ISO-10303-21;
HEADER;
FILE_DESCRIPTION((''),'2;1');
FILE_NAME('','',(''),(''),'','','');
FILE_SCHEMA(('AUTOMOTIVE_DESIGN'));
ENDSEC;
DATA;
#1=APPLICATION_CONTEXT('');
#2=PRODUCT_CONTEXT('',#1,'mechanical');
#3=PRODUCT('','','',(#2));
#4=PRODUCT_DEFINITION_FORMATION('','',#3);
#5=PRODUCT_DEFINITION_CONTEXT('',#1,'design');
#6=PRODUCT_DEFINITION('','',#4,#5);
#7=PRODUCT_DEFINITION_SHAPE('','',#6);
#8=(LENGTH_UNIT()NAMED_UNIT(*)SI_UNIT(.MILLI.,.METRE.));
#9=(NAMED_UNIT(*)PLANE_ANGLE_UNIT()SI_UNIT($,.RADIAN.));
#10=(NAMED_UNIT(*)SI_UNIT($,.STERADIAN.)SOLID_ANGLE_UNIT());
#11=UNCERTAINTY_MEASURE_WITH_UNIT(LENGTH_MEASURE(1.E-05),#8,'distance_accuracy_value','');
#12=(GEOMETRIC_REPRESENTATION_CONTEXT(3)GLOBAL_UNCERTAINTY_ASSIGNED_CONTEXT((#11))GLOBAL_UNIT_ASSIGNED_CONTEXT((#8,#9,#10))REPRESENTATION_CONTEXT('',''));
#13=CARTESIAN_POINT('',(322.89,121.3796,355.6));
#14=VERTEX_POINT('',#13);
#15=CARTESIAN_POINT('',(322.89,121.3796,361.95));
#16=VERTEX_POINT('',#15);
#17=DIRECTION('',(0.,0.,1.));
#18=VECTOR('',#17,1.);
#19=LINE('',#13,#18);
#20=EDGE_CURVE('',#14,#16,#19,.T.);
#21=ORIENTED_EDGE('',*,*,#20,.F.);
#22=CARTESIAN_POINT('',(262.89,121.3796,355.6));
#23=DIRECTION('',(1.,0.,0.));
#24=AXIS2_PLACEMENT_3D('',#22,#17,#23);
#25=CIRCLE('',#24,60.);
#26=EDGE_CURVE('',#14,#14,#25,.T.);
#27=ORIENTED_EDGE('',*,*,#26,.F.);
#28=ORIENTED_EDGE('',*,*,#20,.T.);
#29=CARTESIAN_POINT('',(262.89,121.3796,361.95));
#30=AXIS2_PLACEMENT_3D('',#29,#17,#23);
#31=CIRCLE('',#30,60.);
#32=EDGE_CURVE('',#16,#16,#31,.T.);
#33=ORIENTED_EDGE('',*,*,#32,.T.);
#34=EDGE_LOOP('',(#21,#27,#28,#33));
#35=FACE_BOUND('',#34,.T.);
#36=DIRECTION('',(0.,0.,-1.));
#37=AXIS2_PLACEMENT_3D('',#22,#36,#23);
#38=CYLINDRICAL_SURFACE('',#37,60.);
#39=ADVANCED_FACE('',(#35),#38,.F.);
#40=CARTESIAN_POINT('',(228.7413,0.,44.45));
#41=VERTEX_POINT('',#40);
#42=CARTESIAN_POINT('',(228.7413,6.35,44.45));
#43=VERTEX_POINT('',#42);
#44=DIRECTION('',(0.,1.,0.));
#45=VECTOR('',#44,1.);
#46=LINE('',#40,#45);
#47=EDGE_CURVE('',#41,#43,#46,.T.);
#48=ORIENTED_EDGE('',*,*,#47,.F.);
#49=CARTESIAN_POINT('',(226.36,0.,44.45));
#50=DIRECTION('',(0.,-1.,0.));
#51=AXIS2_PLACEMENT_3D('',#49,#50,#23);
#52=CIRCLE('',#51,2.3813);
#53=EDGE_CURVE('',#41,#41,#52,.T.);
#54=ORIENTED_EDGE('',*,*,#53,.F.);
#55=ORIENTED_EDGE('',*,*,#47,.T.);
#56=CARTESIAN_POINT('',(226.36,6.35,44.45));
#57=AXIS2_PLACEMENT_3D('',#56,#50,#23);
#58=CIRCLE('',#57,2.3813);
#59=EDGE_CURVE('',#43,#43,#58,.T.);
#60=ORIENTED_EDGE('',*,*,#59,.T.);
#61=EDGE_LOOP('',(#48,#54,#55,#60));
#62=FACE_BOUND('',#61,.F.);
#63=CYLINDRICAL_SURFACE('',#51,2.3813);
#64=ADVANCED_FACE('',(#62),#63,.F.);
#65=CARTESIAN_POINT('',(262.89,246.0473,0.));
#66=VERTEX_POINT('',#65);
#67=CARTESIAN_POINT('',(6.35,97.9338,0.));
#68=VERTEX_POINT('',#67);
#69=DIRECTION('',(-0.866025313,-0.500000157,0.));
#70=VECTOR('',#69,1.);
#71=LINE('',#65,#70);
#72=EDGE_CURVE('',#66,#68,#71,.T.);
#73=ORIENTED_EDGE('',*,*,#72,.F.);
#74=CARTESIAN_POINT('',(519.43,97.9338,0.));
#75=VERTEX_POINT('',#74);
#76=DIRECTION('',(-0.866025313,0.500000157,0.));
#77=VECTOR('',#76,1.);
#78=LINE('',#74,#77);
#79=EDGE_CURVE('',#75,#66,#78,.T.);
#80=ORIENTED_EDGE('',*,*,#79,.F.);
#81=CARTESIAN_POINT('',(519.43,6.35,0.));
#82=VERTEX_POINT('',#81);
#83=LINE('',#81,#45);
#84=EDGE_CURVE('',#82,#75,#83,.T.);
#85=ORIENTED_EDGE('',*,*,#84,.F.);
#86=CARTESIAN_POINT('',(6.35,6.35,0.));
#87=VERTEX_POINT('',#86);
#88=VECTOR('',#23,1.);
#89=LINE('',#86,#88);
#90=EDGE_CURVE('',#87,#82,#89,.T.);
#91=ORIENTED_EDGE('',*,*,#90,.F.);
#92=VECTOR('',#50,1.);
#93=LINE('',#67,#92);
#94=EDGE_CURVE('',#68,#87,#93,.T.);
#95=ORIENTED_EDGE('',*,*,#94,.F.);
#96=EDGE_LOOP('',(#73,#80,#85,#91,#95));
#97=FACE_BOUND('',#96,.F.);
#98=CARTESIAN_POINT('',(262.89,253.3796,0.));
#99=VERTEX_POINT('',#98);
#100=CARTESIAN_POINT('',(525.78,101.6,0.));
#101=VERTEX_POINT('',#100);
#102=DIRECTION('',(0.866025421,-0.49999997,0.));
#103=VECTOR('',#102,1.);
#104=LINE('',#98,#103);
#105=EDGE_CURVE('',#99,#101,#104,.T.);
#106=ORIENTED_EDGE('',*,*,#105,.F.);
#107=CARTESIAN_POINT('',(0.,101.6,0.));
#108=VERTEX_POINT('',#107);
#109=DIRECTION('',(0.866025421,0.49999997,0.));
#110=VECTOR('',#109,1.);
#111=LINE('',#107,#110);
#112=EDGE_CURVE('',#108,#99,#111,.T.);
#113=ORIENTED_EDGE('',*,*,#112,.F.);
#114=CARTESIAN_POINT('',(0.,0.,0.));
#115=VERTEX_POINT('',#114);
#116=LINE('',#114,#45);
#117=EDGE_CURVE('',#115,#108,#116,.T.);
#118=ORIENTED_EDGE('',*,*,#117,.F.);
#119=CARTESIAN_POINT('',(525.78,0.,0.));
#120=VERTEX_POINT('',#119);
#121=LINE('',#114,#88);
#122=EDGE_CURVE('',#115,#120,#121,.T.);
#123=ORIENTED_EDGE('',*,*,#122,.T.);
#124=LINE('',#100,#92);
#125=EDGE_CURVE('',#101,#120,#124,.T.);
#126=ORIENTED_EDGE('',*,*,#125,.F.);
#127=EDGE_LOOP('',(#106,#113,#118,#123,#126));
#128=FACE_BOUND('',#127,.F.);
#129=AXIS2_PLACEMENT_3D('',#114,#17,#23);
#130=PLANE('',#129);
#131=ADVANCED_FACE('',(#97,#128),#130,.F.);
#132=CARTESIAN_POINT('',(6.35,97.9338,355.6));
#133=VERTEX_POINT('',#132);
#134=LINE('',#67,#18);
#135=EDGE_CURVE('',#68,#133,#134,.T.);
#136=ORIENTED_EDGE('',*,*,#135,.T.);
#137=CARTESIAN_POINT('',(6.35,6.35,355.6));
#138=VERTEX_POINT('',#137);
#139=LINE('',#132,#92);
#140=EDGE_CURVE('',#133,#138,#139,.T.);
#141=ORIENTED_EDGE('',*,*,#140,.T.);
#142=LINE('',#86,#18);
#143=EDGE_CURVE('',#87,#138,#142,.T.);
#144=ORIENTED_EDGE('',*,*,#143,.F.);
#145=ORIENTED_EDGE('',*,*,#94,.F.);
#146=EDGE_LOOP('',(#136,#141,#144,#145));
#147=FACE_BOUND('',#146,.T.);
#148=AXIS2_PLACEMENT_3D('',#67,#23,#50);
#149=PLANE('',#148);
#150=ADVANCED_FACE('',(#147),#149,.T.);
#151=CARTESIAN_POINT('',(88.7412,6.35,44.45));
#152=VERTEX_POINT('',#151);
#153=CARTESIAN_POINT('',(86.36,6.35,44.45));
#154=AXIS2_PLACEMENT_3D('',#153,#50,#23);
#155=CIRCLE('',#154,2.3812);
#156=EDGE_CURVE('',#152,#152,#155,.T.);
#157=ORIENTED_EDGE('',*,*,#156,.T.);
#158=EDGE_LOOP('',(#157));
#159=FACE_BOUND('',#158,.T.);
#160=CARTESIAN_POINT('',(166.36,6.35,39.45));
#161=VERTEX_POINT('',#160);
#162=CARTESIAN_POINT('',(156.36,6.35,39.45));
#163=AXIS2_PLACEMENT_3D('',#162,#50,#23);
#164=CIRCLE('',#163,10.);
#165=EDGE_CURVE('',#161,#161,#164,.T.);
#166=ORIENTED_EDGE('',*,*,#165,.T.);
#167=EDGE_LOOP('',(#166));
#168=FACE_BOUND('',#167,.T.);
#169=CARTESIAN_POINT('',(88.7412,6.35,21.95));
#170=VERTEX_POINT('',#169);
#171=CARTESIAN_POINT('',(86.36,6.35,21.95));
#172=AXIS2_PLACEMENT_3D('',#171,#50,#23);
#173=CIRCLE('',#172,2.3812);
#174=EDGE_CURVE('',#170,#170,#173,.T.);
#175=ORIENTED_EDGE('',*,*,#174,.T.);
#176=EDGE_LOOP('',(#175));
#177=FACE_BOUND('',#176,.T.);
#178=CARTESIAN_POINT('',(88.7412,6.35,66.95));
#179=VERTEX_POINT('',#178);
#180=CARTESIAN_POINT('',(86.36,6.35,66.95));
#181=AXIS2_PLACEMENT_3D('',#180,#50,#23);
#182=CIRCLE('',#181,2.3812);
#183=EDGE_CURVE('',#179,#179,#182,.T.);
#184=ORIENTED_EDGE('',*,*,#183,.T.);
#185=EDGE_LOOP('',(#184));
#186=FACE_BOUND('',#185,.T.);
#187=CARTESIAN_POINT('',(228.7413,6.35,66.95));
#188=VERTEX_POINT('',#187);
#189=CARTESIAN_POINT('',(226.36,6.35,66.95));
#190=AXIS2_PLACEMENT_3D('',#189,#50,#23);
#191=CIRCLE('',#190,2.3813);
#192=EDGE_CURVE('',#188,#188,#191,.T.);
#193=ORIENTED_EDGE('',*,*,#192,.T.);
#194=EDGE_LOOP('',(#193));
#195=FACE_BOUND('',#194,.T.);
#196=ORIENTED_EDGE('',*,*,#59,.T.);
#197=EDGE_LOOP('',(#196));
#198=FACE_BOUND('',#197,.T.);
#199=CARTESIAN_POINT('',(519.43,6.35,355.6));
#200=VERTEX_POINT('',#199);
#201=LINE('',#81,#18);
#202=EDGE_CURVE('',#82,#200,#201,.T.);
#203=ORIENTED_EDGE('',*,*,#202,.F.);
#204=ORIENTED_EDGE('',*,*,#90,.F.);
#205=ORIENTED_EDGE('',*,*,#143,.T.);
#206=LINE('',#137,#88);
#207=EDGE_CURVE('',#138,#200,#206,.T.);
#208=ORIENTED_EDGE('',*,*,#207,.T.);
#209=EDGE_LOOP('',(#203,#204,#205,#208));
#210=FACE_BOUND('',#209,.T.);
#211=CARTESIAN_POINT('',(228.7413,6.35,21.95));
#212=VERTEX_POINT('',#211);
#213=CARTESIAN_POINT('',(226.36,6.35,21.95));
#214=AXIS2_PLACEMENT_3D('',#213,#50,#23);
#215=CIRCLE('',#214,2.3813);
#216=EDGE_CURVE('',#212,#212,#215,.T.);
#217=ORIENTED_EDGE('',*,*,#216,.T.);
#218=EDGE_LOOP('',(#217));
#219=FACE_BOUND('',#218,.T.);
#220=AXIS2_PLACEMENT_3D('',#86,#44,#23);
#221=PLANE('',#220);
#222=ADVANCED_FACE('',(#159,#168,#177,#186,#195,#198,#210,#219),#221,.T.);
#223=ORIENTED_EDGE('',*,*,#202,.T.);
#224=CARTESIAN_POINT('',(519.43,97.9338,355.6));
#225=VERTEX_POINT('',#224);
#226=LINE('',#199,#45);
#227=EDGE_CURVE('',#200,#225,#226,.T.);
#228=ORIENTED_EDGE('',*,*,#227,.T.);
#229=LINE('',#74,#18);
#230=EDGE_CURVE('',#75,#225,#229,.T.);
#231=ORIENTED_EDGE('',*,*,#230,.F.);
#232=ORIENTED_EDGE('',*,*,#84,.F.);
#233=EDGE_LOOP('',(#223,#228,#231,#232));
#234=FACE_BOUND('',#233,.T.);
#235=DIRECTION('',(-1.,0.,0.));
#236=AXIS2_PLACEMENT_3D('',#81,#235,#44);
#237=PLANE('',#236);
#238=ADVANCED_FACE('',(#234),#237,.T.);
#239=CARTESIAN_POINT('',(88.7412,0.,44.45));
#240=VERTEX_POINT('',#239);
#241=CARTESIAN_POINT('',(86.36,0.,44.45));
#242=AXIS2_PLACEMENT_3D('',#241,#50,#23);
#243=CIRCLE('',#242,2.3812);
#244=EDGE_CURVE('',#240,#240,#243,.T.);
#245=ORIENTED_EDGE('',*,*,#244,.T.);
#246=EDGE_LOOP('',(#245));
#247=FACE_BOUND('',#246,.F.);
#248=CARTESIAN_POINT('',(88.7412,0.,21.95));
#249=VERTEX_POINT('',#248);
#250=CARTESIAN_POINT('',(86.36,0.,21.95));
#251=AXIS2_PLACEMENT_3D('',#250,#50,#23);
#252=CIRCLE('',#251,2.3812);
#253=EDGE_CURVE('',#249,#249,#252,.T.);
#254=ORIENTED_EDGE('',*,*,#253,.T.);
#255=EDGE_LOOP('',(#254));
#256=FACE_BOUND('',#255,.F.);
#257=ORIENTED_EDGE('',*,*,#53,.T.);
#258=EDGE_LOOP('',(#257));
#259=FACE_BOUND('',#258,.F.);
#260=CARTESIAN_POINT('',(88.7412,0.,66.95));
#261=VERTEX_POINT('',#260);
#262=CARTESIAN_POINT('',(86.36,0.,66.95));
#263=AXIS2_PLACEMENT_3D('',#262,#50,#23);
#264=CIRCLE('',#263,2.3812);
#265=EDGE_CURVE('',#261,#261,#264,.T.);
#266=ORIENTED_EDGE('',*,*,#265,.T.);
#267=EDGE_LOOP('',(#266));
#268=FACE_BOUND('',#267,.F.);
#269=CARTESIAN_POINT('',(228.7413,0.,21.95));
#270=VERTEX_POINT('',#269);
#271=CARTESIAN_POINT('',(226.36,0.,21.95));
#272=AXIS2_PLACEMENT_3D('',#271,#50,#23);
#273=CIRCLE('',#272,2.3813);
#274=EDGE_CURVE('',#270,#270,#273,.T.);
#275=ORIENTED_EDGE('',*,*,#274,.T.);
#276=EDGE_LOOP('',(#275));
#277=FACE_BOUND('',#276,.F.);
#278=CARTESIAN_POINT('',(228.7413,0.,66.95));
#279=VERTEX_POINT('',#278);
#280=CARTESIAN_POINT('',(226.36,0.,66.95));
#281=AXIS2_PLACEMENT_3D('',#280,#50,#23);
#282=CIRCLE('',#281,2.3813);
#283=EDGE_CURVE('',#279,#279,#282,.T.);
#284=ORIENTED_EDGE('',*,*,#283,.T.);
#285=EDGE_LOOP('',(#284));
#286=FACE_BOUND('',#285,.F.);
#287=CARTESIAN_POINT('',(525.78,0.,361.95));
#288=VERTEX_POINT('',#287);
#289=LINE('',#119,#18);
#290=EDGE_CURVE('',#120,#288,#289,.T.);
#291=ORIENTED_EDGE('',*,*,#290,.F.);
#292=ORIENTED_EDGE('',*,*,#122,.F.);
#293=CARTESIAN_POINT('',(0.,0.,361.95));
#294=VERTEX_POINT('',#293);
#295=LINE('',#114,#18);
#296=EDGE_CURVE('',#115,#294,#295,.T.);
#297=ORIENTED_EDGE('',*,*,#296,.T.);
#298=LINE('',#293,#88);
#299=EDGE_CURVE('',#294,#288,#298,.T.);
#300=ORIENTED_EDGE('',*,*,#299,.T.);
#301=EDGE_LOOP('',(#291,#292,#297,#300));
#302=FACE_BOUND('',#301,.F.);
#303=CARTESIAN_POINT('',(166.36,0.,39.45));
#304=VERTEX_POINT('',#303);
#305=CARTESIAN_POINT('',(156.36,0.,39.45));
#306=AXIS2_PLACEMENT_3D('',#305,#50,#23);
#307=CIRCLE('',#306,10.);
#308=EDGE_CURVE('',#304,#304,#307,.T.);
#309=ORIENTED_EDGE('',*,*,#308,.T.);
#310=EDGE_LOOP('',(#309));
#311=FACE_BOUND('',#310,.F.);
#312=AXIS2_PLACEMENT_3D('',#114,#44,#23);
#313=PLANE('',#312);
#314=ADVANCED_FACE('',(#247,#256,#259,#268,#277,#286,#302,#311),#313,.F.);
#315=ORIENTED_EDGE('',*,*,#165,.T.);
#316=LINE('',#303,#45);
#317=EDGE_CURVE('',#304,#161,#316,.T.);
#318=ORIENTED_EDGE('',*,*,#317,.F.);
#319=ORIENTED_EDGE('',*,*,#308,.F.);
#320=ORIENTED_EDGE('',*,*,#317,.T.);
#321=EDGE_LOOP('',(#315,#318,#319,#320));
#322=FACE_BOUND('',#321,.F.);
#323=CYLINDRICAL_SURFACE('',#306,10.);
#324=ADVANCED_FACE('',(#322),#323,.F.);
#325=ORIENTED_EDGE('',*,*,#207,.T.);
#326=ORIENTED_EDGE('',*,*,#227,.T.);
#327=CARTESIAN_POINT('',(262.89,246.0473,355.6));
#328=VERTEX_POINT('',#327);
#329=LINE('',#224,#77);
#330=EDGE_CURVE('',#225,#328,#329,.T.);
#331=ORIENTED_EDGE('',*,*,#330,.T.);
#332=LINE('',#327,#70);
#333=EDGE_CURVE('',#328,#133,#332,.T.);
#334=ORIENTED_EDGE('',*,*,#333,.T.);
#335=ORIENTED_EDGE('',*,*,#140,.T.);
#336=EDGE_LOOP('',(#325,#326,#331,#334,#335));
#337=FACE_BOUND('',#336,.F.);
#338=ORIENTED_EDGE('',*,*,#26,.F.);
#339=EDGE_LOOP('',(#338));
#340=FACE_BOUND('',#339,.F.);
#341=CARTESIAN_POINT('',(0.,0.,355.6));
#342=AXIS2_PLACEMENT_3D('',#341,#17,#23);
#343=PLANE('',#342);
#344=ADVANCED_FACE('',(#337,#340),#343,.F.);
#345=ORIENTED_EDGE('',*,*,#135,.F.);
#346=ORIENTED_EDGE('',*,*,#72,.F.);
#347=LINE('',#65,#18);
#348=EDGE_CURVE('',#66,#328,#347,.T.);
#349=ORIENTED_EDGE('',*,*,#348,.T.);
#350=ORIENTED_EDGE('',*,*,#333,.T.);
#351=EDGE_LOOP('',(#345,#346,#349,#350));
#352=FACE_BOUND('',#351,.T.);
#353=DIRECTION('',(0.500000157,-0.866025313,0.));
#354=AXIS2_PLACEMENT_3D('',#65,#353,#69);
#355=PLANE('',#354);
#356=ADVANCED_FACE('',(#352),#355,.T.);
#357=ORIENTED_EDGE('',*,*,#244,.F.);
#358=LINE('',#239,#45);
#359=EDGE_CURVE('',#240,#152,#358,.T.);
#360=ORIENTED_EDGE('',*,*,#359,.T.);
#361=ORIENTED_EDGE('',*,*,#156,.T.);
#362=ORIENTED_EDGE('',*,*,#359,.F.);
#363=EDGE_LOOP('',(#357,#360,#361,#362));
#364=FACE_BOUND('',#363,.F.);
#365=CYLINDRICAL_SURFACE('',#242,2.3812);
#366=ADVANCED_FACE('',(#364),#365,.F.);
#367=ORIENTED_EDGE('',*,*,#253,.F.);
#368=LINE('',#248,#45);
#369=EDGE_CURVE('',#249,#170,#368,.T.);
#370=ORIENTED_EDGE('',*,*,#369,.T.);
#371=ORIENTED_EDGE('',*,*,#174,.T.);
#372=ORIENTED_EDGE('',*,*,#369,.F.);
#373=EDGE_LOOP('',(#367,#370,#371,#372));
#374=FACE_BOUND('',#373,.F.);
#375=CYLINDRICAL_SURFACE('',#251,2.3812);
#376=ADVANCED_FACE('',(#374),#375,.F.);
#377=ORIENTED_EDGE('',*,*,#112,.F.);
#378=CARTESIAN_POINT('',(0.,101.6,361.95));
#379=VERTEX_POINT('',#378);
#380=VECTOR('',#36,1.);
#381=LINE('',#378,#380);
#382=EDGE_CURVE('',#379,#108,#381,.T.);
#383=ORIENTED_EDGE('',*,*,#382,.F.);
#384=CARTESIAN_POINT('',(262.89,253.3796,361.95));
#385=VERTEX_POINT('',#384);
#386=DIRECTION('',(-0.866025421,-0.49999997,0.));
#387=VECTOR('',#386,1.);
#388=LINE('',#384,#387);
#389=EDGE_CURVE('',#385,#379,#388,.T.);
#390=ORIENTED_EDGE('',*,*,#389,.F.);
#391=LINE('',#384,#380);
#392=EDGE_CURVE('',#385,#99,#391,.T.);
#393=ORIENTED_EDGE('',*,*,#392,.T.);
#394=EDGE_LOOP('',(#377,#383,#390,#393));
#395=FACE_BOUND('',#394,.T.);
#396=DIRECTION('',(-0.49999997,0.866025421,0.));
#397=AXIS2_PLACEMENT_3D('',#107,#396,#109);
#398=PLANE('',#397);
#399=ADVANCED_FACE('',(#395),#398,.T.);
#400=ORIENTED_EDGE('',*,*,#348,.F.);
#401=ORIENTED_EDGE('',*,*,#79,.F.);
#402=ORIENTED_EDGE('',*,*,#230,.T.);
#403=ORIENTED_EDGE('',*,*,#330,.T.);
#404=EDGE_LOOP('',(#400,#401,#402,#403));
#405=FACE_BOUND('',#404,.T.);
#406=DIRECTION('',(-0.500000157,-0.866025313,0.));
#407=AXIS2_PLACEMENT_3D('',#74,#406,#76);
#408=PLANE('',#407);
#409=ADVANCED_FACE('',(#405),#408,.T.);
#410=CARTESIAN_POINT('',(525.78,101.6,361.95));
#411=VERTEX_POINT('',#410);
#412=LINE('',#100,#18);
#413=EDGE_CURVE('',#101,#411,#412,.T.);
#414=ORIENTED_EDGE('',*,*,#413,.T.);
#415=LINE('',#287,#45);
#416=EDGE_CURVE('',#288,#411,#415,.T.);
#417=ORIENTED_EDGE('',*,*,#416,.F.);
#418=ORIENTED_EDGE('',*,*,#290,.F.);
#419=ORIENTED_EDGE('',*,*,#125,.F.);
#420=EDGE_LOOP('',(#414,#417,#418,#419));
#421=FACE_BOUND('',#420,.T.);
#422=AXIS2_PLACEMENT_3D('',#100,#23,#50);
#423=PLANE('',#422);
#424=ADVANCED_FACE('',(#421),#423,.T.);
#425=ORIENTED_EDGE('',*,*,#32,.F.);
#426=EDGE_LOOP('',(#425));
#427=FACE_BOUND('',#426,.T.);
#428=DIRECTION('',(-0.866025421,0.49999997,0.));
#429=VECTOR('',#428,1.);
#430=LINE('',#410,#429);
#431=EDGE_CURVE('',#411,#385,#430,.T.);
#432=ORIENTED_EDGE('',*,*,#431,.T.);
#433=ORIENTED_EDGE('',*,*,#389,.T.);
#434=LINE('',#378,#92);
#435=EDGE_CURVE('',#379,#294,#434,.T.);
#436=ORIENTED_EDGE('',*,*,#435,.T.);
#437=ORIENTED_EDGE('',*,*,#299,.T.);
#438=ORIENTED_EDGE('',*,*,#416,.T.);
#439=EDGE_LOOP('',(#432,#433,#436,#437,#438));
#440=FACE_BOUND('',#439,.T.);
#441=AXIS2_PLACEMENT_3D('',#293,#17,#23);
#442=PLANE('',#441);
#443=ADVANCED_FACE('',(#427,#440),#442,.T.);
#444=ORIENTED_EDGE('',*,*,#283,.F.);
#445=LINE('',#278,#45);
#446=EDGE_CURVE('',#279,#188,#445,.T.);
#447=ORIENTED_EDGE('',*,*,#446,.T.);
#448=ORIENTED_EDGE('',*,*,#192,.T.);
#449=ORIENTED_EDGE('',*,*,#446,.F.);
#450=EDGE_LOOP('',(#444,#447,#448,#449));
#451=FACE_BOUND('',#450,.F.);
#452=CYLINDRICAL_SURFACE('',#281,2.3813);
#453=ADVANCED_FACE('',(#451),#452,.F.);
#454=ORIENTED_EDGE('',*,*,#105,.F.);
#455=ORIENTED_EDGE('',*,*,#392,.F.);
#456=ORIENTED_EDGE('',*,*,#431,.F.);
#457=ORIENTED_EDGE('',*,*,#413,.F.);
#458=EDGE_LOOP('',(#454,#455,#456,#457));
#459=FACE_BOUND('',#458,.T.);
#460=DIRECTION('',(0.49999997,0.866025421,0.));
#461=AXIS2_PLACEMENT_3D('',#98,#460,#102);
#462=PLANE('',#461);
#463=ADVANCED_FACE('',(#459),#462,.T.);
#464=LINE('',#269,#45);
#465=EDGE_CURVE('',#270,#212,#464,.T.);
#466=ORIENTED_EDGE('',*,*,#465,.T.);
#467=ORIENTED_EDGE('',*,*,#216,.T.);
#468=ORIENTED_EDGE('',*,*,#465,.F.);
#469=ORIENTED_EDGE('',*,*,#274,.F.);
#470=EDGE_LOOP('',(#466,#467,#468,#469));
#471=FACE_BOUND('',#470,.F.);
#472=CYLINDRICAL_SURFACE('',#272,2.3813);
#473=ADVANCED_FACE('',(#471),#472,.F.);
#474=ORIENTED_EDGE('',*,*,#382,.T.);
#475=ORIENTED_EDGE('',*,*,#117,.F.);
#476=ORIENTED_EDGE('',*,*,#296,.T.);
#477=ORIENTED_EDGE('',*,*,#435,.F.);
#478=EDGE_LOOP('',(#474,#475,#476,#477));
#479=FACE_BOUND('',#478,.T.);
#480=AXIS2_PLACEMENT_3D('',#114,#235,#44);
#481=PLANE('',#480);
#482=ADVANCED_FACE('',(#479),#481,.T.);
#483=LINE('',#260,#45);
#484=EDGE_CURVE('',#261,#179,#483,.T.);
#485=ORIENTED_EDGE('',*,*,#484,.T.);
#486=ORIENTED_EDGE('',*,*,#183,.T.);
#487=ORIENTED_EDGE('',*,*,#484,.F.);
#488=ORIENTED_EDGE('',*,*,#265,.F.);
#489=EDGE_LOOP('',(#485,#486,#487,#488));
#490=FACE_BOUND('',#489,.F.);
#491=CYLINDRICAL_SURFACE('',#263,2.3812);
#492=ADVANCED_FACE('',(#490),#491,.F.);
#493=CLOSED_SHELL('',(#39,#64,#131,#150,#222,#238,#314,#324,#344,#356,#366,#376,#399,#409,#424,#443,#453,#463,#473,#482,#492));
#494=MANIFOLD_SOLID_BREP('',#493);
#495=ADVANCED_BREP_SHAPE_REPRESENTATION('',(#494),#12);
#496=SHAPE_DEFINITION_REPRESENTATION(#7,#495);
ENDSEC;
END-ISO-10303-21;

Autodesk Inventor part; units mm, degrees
ref_plane "YZ Plane" through (0, 0, 0) normal (1, 0, 0) x (0, 1, 0)
ref_plane "XZ Plane" through (0, 0, 0) normal (0, 1, 0) x (-1, 0, 0)
ref_plane "XY Plane" through (0, 0, 0) normal (0, 0, 1) x (1, 0, 0)
sketch "Sketch1" plane through (0, 0, 0) normal (0, 0, 1) x (1, 0, 0)
  line L0 (0, 0) -> (525.78, 0)
  line L1 (0, 0) -> (0, 101.6)
  line L2 (0, 101.6) -> (262.89, 253.3796)
  line L3 (262.89, 253.3796) -> (525.78, 101.6)
  line L4 (525.78, 101.6) -> (525.78, 0)
  line L5 (262.89, 246.0473) -> (6.35, 97.9338)
  line L6 (6.35, 97.9338) -> (6.35, 6.35)
  line L7 (6.35, 6.35) -> (519.43, 6.35)
  line L8 (519.43, 6.35) -> (519.43, 97.9338)
  line L9 (519.43, 97.9338) -> (262.89, 246.0473)
  point P0 (262.89, 0)
  dimension "d0" = 525.78
  dimension "d1" = 101.6
  dimension "d2" = 120
  dimension "d3" = 6.35
extrude "Extrusion1" add sketch "Sketch1" along normal blind 355.6
sketch "Sketch2" plane through (0, 0, 355.6) normal (0, 0, 1) x (1, 0, 0)
  line L0 (262.89, 246.0473) -> (519.43, 97.9338) projected
  line L1 (519.43, 97.9338) -> (519.43, 6.35) projected
  line L2 (519.43, 6.35) -> (6.35, 6.35) projected
  line L3 (6.35, 6.35) -> (6.35, 97.9338) projected
  line L4 (6.35, 97.9338) -> (262.89, 246.0473) projected
  line L5 (0, 0) -> (525.78, 0) projected
  line L6 (525.78, 0) -> (525.78, 101.6) projected
  line L7 (525.78, 101.6) -> (262.89, 253.3796) projected
  line L8 (262.89, 253.3796) -> (0, 101.6) projected
  line L9 (0, 101.6) -> (0, 0) projected
  circle A0 centre (262.89, 121.3796) radius 60
  dimension "d6" = 120
  dimension "d7" = 132
extrude "Extrusion2" add sketch "Sketch2" along normal blind 6.35 contours L0 L1 L2 L3 L4 | L9 L8 L7 L6 L5
sketch "Sketch3" plane through (0, 0, 0) normal (0, -1, 0) x (1, 0, 0)
  line L0 (0, 0) -> (525.78, 0) construction
  line L1 (525.78, 0) -> (525.78, 88.9)
  line L2 (525.78, 88.9) -> (0, 88.9) construction
  line L3 (0, 88.9) -> (0, 0) construction
  line L4 (86.36, 21.95) -> (86.36, 66.95) construction
  circle A0 centre (86.36, 44.45) radius 2.3812
  circle A1 centre (86.36, 21.95) radius 2.3812
  circle A2 centre (86.36, 66.95) radius 2.3812
  line L5 (146.36, 49.45) -> (146.36, 29.45) construction
  line L6 (156.36, 66.95) -> (156.36, 21.95) construction
  line L7 (146.36, 29.45) -> (166.36, 29.45) construction
  line L8 (166.36, 49.45) -> (146.36, 49.45) construction
  line L9 (86.36, 66.95) -> (226.36, 66.95) construction
  line L10 (226.36, 21.95) -> (86.36, 21.95) construction
  line L11 (86.36, 44.45) -> (226.36, 44.45) construction
  line L12 (166.36, 29.45) -> (166.36, 49.45) construction
  line L13 (226.36, 66.95) -> (226.36, 21.95) construction
  circle A3 centre (226.36, 66.95) radius 2.3813
  circle A4 centre (226.36, 44.45) radius 2.3813
  circle A5 centre (226.36, 21.95) radius 2.3813
  circle A6 centre (156.36, 39.45) radius 10
  line L14 (0, 0) -> (0, 361.95) projected
  line L15 (525.78, 0) -> (525.78, 361.95) projected
  line L16 (0, 0) -> (525.78, 0) projected
  point P0 (0, 44.45)
  point P1 (146.36, 39.45)
  point P2 (166.36, 39.45)
  point P3 (262.89, 0)
  dimension "d10" = 45
  dimension "d11" = 140
  dimension "d12" = 4.7625
  dimension "d13" = 4.7625
  dimension "d14" = 4.7625
  dimension "d15" = 4.7625
  dimension "d16" = 4.7625
  dimension "d17" = 4.7625
  dimension "d18" = 60
  dimension "d19" = 7.5
  dimension "d20" = 20
  dimension "d21" = 20
  dimension "d22" = 86.36
  dimension "d23" = 88.9
extrude "Extrusion3" cut sketch "Sketch3" against normal blind 6.35
sketch "Sketch4" plane through (0, 0, 0) normal (0, -1, 0) x (1, 0, 0)
  line L0 (71.36, 0) -> (241.36, 0)
  line L1 (241.36, 0) -> (241.36, 85)
  line L2 (241.36, 85) -> (71.36, 85)
  line L3 (71.36, 85) -> (71.36, 0)
  line L4 (0, 0) -> (525.78, 0) construction
  circle A0 centre (156.36, 39.45) radius 10 construction
  point P0 (156.36, 85)
  dimension "d26" = 170
  dimension "d27" = 85
extrude "Extrusion4" [suppressed]
properties part number "CA01" material "ABS Plastic"
